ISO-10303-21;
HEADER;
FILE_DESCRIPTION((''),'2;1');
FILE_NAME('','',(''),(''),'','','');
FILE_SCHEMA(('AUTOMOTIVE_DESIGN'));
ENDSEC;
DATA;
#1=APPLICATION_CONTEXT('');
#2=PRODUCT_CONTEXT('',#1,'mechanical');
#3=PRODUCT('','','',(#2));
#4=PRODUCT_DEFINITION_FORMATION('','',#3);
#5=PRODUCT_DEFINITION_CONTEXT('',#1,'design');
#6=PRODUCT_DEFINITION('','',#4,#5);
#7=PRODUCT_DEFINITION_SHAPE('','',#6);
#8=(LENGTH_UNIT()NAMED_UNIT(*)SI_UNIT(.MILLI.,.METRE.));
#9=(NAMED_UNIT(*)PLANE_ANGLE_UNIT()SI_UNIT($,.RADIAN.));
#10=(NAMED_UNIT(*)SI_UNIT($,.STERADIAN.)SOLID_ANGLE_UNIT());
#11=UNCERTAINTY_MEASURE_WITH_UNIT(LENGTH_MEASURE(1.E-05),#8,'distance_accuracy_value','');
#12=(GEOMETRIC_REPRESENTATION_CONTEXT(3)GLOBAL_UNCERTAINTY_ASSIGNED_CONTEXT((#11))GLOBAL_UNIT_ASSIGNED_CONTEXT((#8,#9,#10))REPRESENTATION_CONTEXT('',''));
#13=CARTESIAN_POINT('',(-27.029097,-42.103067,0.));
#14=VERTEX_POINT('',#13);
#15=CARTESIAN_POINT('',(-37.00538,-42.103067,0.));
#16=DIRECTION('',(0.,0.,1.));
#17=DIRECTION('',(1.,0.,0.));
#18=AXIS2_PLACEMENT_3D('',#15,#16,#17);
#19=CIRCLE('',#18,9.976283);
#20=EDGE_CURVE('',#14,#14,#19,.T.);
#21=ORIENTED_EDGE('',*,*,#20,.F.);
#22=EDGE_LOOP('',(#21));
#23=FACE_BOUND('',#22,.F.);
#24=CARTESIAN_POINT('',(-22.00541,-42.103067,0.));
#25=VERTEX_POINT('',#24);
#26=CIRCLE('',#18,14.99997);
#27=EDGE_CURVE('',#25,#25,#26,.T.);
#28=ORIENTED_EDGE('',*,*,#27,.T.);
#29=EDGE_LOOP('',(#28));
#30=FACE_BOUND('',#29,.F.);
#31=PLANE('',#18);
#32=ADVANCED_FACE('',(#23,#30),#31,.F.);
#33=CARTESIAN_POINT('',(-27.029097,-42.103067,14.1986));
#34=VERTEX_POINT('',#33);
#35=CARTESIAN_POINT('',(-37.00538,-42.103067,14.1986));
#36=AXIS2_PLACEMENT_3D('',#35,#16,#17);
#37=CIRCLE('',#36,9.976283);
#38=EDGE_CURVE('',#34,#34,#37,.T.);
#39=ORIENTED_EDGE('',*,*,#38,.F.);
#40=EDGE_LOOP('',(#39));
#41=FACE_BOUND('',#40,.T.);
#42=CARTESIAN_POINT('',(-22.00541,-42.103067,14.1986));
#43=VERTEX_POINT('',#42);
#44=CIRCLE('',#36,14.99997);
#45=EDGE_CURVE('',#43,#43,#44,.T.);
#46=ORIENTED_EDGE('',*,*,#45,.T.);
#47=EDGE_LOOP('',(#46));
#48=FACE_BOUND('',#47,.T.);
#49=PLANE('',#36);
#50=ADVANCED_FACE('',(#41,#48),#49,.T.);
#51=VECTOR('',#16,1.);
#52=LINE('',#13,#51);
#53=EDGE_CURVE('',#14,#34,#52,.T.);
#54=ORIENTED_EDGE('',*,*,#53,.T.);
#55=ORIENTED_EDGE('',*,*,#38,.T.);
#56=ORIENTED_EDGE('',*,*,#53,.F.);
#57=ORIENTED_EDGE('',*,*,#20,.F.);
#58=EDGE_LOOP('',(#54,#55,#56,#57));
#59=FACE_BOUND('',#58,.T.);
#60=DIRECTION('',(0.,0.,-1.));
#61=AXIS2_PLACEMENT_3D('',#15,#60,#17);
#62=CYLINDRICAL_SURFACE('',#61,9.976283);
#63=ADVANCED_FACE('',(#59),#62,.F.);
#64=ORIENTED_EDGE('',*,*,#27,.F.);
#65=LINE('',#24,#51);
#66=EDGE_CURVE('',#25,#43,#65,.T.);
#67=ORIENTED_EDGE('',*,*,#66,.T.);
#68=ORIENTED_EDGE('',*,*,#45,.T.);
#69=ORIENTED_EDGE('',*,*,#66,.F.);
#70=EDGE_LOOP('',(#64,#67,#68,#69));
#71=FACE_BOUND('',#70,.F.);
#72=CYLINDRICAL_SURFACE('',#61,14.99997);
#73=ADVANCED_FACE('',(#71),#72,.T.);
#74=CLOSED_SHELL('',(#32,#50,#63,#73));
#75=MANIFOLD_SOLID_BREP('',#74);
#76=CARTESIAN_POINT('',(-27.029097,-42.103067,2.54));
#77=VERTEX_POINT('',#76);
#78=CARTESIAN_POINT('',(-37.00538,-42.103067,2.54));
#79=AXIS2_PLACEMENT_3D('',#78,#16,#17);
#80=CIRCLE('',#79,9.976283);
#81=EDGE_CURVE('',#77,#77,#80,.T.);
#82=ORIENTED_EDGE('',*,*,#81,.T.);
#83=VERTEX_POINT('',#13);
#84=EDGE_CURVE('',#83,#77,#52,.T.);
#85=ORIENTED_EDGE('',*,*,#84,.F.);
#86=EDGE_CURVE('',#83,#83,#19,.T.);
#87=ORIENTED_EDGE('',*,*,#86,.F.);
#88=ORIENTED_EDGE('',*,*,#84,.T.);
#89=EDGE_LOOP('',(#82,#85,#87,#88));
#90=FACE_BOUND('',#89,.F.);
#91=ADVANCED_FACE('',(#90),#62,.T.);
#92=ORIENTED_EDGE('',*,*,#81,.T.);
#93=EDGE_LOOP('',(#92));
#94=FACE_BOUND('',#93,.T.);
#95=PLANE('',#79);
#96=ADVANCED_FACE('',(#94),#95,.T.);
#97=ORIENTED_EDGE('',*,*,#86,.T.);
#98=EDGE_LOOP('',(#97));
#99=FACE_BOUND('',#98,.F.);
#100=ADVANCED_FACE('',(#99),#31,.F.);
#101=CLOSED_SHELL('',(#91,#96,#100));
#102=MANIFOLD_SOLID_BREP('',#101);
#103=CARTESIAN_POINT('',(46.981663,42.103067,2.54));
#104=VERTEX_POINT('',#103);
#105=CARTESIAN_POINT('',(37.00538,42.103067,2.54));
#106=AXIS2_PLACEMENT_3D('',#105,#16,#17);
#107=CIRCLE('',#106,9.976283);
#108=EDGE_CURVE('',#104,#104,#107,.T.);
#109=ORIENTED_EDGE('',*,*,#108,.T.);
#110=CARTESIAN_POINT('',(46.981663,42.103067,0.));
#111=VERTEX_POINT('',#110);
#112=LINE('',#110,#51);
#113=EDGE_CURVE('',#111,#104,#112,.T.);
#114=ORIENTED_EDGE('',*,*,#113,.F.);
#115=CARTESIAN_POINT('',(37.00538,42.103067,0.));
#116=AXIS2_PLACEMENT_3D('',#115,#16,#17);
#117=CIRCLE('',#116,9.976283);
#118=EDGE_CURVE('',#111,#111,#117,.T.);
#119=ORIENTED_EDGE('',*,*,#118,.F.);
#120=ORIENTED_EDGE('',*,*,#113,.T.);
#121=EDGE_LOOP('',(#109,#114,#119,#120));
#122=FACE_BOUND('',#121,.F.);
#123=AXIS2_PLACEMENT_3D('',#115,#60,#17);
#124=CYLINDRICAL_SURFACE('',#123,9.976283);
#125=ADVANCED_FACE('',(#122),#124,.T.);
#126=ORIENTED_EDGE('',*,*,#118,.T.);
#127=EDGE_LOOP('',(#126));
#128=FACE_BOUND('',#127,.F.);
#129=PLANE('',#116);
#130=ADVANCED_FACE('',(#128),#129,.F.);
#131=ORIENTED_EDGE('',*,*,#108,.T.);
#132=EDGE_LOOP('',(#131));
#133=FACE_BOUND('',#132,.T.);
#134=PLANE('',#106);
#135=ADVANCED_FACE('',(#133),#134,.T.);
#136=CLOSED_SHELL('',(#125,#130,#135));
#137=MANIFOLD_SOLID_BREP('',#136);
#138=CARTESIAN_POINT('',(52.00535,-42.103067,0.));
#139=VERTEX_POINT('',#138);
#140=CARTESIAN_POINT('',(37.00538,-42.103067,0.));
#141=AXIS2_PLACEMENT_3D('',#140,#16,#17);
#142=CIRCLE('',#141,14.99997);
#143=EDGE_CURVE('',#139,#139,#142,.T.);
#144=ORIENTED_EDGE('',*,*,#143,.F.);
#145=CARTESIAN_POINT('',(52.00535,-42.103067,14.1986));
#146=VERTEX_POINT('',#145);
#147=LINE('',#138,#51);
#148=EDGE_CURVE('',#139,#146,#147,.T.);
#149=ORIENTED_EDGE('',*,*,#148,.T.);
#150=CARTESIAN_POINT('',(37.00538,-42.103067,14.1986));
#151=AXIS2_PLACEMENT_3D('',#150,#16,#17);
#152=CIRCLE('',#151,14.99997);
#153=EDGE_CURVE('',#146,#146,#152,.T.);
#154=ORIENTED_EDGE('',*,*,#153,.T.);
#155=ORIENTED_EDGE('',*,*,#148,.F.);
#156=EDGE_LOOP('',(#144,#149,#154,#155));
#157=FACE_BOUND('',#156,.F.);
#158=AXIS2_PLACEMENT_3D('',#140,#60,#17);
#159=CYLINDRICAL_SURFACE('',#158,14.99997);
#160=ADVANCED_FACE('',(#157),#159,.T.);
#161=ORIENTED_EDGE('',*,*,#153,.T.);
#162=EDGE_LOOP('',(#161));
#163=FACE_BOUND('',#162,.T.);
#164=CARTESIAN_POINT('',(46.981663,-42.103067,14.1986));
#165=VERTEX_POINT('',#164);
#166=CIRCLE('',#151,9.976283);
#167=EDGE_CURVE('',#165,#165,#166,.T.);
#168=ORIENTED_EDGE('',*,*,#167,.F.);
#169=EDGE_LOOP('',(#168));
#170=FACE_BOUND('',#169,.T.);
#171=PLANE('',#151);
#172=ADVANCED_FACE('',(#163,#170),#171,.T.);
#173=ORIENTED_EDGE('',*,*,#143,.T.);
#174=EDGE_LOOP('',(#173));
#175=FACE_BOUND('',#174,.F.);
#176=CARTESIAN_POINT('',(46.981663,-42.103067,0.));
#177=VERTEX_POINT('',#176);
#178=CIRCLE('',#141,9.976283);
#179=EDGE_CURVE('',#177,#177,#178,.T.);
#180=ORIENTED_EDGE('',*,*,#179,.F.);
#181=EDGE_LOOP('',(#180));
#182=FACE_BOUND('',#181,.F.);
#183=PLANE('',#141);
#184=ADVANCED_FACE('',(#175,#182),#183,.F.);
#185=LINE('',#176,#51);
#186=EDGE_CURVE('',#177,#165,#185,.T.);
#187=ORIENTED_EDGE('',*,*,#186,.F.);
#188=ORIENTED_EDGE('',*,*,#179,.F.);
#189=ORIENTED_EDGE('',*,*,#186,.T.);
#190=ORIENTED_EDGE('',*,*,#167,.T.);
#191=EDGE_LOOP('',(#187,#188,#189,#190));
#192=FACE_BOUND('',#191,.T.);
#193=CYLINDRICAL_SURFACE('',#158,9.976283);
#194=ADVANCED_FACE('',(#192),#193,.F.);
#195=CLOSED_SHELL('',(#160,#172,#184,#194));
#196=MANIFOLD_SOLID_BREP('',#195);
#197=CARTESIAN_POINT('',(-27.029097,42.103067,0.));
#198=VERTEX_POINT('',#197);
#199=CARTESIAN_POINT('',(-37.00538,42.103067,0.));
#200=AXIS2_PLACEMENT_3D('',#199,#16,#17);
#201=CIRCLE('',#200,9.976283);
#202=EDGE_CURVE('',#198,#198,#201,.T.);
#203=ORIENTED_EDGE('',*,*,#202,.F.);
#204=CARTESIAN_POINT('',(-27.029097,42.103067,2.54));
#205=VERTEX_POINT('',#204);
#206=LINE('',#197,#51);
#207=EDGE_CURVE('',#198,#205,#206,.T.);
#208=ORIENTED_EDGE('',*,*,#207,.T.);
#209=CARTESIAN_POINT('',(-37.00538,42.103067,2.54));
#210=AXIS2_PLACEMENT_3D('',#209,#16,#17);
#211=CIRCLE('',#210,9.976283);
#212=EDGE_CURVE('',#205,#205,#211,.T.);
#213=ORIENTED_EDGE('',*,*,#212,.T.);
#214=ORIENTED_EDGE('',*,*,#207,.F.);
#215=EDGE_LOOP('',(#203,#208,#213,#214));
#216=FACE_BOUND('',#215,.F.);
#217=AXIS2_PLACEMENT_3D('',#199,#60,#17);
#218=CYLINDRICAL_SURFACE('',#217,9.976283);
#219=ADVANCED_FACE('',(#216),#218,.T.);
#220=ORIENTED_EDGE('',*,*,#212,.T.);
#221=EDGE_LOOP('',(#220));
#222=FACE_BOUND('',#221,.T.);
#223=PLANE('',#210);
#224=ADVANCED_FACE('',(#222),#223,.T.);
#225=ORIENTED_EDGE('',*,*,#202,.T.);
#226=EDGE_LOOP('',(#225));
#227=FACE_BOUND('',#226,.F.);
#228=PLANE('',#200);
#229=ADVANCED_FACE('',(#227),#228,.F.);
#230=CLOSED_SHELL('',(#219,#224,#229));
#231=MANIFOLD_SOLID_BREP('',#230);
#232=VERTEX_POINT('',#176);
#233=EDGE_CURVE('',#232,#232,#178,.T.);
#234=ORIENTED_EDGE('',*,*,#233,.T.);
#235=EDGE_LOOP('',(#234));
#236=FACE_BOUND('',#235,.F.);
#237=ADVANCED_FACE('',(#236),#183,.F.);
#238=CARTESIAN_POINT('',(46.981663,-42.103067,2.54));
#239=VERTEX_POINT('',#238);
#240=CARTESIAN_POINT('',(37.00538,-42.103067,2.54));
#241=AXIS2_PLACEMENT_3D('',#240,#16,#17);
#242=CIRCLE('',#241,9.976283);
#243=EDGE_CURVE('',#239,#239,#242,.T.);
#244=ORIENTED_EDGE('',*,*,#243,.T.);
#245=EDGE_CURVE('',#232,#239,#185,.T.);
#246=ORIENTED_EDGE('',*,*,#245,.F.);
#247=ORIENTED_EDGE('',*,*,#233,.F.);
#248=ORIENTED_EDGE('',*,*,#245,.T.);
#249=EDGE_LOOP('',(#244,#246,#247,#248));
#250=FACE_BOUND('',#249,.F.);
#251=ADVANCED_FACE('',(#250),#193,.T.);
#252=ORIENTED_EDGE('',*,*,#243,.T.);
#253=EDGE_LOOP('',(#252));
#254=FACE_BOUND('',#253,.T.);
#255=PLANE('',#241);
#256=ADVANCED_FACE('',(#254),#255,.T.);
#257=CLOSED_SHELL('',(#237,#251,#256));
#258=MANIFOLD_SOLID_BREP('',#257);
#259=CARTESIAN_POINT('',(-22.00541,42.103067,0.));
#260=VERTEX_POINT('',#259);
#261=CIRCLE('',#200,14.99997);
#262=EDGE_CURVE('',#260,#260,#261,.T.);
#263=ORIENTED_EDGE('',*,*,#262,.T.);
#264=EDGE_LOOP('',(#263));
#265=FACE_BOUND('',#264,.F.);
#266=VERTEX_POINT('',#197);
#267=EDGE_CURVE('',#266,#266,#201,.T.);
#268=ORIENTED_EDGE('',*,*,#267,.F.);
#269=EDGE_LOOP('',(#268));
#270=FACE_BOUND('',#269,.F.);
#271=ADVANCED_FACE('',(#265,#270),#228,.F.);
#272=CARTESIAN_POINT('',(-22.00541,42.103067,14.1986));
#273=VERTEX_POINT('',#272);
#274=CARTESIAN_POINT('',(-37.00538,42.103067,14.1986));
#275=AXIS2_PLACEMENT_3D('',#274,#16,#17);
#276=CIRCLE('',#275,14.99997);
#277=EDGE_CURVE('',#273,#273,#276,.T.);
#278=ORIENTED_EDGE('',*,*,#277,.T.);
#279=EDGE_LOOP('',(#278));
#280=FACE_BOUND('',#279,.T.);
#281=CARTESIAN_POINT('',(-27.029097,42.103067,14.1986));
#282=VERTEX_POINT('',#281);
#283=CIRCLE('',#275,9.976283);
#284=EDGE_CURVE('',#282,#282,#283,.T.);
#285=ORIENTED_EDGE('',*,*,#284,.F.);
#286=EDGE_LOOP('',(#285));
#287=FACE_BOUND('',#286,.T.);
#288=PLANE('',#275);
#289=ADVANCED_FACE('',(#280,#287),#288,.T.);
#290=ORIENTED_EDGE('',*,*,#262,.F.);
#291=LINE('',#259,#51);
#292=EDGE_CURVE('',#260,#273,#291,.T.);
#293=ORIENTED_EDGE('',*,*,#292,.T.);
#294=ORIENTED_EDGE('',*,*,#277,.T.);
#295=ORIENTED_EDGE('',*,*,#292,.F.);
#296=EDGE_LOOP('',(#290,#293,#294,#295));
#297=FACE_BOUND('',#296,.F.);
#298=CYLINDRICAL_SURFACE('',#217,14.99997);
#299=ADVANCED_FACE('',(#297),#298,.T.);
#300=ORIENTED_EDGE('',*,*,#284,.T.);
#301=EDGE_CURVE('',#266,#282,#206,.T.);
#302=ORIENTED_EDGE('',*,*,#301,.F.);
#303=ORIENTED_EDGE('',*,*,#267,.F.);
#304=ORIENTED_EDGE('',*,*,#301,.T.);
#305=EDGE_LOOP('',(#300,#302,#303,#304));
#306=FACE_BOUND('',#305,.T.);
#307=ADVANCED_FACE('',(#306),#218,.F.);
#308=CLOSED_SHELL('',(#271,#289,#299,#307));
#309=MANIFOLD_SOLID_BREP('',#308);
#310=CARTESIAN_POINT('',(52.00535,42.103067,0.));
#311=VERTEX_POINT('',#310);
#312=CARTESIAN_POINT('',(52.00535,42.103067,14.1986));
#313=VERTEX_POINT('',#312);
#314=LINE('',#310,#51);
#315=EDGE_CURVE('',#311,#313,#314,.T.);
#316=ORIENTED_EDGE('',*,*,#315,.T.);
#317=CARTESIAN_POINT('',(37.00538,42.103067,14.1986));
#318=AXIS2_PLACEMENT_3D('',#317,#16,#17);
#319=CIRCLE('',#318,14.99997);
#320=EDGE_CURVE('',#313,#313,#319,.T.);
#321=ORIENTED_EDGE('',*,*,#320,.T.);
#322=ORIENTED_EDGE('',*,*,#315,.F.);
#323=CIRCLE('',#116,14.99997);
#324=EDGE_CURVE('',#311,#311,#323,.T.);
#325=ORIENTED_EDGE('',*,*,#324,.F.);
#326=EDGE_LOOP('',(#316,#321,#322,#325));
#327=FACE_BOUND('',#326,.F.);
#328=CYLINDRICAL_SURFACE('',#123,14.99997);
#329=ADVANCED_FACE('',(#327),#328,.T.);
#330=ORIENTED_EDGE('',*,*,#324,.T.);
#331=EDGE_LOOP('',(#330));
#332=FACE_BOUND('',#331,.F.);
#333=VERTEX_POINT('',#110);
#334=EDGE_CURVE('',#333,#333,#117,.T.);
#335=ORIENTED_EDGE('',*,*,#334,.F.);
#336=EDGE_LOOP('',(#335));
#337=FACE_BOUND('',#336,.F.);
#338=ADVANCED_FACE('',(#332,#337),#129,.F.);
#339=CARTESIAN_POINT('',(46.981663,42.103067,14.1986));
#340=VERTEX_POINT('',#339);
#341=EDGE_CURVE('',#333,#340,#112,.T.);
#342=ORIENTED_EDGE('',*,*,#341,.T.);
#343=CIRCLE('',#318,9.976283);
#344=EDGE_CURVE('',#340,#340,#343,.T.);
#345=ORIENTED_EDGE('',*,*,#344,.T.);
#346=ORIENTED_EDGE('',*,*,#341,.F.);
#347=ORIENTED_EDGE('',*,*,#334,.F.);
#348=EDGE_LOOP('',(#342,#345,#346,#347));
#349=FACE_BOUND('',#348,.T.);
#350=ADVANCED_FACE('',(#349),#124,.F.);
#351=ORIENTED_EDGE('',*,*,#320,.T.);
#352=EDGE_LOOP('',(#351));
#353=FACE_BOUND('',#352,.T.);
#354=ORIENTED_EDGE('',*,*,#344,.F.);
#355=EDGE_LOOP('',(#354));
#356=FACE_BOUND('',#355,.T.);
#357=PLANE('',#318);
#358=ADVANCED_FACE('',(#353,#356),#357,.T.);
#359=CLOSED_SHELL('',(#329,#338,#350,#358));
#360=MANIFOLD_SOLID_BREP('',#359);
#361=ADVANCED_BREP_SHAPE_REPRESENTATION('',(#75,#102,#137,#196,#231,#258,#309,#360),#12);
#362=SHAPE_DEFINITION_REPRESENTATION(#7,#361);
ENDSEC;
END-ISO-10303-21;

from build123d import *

# Parameters (mm, degrees)
F0_R     = 14.99997
F0_R_2   = 9.976283
F1_DEPTH = 14.1986
F2_DEPTH = 2.54
F3_DEPTH = 2.54


with BuildPart() as f1:
    # F0 (on Top) → F1 (new body)
    with BuildSketch(Plane.XY):
        with Locations((37.00538, -42.103067)):
            Circle(F0_R)
        with Locations((37.00538, -42.103067)):
            Circle(F0_R_2, mode=Mode.SUBTRACT)
        with Locations((37.00538, 42.103067)):
            Circle(F0_R)
        with Locations((37.00538, 42.103067)):
            Circle(F0_R_2, mode=Mode.SUBTRACT)
        with Locations((-37.00538, -42.103067)):
            Circle(F0_R)
        with Locations((-37.00538, -42.103067)):
            Circle(F0_R_2, mode=Mode.SUBTRACT)
        with Locations((-37.00538, 42.103067)):
            Circle(F0_R)
        with Locations((-37.00538, 42.103067)):
            Circle(F0_R_2, mode=Mode.SUBTRACT)
    extrude(amount=F1_DEPTH)


with BuildPart() as f2:
    # F0 (on Top) → F2 (new body)
    with BuildSketch(Plane.XY):
        with Locations((37.00538, 42.103067)):
            Circle(F0_R_2)
        with Locations((37.00538, -42.103067)):
            Circle(F0_R_2)
    extrude(amount=F2_DEPTH)


with BuildPart() as f3:
    # F0 (on Top) → F3 (new body)
    with BuildSketch(Plane.XY):
        with Locations((-37.00538, -42.103067)):
            Circle(F0_R_2)
        with Locations((-37.00538, 42.103067)):
            Circle(F0_R_2)
    extrude(amount=F3_DEPTH)


solid = Compound([f1.part, f2.part, f3.part])
